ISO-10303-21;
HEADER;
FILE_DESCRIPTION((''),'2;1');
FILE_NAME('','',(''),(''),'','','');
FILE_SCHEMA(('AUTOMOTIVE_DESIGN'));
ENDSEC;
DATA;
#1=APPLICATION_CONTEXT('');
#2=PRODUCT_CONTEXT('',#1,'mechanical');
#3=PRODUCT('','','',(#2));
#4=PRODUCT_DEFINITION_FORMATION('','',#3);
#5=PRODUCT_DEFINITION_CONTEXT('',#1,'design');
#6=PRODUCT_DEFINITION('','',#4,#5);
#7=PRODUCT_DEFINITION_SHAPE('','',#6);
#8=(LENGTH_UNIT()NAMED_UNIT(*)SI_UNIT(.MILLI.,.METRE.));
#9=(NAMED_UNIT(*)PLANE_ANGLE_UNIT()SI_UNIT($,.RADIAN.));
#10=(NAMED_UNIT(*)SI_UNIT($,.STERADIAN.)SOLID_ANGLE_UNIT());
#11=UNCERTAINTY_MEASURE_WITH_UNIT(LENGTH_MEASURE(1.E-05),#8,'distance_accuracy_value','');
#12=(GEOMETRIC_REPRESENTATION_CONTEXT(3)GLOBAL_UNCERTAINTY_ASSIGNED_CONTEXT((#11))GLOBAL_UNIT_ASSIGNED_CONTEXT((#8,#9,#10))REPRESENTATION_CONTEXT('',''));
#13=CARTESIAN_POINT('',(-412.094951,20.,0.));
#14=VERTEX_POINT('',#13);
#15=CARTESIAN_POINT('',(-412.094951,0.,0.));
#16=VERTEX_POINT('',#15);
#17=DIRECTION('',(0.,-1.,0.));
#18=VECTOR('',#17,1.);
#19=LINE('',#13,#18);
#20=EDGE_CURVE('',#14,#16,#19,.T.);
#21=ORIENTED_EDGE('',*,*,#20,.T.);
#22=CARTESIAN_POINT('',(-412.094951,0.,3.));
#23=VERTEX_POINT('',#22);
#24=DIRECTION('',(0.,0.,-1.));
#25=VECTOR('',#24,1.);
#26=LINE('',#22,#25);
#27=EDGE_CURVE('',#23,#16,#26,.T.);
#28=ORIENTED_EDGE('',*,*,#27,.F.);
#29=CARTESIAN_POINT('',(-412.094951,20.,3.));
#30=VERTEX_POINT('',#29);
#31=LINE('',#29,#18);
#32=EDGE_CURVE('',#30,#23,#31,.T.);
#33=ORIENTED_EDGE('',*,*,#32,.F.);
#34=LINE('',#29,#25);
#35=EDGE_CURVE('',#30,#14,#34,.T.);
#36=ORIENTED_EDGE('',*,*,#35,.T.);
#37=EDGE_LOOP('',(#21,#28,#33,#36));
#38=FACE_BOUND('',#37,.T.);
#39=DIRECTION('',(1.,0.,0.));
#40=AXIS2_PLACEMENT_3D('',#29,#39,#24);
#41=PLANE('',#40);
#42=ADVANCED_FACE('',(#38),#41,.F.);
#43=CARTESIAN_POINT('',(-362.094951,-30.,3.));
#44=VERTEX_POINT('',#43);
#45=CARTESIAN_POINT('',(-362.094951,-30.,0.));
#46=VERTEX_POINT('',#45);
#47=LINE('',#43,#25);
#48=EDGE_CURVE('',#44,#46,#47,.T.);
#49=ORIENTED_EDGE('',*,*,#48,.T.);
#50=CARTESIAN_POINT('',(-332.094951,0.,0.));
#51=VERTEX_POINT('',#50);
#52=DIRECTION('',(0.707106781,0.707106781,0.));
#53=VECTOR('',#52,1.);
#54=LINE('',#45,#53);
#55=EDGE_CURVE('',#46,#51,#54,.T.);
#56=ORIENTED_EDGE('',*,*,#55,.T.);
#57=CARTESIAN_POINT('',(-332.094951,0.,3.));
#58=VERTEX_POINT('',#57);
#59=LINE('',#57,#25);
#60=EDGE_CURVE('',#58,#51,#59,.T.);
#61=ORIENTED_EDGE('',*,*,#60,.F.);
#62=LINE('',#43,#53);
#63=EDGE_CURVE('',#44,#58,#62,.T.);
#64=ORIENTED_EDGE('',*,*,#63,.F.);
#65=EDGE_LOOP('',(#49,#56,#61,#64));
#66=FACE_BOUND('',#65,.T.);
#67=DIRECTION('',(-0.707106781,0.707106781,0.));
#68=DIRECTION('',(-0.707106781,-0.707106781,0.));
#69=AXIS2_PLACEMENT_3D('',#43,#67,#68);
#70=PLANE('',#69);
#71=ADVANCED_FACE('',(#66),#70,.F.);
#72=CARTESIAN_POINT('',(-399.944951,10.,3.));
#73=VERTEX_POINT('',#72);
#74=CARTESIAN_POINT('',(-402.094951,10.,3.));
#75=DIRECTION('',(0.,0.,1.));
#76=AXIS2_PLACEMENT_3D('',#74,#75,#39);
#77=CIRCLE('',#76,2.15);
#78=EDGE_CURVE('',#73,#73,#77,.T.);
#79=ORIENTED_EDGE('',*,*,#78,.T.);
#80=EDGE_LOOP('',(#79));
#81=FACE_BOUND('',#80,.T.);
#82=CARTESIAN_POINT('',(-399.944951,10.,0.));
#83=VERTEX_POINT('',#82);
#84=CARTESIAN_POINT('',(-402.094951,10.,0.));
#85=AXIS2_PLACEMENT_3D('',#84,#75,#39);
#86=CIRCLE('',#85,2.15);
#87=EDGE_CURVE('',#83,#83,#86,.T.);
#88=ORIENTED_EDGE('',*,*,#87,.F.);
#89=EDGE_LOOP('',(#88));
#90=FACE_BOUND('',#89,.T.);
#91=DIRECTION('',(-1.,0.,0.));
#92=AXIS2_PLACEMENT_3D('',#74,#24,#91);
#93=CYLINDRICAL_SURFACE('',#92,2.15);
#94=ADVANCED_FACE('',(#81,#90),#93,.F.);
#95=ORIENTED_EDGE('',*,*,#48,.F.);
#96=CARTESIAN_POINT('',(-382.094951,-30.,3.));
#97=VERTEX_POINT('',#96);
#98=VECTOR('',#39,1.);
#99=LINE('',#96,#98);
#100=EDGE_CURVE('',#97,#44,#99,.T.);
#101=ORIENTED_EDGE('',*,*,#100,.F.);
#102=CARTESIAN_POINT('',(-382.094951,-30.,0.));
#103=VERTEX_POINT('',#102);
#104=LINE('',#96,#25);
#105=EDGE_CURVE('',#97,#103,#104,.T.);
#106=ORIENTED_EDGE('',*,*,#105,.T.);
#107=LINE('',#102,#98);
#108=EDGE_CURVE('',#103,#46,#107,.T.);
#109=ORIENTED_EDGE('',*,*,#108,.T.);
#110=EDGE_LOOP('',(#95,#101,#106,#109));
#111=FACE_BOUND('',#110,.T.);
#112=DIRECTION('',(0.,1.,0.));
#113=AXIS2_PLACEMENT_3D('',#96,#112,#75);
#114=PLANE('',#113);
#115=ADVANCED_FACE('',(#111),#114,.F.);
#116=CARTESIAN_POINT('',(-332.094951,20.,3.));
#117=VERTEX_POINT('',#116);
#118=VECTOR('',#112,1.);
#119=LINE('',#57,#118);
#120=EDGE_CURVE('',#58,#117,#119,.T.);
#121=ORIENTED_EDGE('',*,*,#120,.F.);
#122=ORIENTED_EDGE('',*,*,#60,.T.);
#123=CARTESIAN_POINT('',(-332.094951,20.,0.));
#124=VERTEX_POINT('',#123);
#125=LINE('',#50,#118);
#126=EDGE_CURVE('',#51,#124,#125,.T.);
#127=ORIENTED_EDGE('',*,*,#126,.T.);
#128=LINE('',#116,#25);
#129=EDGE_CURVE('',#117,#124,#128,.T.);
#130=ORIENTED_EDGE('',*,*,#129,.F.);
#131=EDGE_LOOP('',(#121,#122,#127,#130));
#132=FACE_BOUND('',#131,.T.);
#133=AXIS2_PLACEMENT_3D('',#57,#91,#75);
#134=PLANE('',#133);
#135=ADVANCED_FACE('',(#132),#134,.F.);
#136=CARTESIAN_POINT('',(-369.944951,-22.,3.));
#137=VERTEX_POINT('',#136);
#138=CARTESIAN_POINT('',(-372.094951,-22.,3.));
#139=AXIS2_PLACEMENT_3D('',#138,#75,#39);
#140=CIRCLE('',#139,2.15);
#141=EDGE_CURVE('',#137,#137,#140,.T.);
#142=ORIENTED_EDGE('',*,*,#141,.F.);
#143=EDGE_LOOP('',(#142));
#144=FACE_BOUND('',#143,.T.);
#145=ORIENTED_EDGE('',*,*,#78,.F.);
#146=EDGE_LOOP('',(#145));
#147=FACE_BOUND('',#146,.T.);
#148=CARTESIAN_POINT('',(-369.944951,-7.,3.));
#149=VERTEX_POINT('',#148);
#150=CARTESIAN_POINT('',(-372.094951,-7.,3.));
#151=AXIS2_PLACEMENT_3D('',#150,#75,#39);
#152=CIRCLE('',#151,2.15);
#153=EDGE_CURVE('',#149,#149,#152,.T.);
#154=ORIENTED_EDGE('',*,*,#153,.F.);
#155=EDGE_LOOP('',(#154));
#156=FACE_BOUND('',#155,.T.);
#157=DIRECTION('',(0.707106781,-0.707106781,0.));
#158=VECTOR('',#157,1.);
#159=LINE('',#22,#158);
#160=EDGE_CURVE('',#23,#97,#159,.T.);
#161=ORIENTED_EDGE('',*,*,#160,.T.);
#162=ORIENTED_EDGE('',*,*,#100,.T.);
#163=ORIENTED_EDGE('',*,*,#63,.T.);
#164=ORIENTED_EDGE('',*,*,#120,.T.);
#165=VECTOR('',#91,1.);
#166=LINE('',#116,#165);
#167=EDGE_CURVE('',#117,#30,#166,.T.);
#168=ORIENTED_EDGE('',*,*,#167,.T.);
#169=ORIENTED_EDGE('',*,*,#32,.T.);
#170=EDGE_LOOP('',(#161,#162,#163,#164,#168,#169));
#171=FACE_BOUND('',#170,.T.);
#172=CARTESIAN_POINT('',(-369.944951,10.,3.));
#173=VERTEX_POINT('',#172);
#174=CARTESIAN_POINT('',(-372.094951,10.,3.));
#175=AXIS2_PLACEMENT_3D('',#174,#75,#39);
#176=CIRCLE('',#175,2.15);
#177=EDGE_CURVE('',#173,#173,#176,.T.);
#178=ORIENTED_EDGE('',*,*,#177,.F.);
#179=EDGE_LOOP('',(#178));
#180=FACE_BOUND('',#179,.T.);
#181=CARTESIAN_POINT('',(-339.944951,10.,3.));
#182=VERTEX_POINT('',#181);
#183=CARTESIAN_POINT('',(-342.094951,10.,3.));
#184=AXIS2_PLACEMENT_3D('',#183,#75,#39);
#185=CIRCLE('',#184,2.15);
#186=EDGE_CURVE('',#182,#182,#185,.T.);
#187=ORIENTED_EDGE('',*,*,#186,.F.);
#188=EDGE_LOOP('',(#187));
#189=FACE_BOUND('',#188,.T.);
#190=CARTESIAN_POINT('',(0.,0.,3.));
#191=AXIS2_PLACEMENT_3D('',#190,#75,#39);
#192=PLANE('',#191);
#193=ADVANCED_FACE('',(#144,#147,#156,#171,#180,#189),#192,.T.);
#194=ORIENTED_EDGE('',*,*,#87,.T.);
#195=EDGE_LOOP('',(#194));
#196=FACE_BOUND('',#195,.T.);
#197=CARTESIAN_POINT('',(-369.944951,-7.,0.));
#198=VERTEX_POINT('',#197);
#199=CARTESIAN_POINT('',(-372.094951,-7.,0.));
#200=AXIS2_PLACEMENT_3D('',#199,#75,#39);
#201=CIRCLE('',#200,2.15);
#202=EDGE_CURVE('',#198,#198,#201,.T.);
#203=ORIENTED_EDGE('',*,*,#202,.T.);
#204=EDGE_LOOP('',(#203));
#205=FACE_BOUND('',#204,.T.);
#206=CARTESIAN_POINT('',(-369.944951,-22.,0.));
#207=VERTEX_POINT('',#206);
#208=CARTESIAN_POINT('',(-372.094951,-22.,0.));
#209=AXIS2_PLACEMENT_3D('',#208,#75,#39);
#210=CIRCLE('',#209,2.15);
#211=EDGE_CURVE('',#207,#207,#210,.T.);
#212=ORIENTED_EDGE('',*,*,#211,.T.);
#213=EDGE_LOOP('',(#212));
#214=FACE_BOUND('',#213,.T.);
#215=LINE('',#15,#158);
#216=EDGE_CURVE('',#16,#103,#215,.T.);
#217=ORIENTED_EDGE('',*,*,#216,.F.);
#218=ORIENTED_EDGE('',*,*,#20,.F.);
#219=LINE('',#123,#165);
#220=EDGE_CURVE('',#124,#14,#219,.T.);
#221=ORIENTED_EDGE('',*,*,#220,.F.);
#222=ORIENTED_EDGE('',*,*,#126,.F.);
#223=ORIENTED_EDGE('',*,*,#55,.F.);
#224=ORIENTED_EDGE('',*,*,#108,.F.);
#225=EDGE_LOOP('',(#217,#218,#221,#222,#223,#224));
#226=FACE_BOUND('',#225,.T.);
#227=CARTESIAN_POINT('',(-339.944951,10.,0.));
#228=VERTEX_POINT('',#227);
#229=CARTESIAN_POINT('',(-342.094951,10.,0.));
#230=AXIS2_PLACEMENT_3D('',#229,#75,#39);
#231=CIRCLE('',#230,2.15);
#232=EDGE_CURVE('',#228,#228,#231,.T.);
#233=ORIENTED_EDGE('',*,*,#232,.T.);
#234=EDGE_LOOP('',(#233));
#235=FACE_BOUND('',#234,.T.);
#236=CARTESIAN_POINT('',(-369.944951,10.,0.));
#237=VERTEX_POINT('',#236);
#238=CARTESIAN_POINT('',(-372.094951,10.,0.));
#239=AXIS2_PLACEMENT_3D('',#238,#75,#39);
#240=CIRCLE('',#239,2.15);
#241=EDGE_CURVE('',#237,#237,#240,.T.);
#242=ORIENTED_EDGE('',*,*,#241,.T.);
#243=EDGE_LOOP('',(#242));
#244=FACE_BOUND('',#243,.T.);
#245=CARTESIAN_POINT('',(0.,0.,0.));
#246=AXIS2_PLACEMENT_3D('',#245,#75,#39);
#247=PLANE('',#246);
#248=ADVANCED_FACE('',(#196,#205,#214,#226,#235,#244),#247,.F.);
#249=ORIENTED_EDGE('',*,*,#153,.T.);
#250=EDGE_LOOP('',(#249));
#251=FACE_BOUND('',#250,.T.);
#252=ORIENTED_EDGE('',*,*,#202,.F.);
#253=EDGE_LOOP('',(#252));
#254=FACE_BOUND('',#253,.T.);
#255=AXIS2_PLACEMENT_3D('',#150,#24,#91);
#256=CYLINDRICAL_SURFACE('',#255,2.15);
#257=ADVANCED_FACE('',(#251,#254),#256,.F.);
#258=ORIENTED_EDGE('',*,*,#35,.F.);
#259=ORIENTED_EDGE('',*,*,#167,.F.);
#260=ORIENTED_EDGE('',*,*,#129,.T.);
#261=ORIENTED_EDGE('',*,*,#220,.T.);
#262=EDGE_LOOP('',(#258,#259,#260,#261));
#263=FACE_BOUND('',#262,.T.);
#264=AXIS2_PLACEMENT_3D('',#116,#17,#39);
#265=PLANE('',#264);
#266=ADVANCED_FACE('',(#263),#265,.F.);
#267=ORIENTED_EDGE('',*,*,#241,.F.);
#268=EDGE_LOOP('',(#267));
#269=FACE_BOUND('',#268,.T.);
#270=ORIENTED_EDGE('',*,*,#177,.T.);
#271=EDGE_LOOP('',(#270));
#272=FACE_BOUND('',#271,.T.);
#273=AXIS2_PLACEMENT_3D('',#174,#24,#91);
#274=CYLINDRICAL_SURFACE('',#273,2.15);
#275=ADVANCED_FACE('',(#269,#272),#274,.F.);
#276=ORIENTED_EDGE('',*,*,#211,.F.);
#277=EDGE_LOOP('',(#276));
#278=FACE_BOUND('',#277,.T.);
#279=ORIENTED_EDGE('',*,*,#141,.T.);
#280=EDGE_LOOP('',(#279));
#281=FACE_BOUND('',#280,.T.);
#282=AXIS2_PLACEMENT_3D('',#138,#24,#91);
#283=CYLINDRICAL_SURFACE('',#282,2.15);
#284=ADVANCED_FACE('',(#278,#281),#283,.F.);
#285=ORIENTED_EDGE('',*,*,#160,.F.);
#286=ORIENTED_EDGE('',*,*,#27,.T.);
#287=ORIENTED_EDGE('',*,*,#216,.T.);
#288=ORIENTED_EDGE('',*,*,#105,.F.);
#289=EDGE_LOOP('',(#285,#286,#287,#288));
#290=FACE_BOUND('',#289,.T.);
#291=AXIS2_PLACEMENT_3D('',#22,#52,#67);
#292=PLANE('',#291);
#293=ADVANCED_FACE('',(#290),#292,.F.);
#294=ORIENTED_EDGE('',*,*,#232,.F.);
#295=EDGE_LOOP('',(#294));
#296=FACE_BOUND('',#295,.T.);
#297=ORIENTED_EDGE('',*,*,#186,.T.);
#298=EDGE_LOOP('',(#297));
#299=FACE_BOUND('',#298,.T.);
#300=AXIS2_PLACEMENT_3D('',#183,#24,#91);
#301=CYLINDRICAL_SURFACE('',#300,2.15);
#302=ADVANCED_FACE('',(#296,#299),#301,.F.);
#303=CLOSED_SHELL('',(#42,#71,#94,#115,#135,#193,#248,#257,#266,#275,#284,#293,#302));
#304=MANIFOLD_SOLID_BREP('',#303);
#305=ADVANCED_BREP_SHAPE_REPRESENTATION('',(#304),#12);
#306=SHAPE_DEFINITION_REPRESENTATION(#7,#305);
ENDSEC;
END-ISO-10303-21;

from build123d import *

# Parameters (mm, degrees)
SKETCH1_R           = 2.15
BOSS_EXTRUDE1_DEPTH = 3


with BuildPart() as part:
    # Sketch1 → Boss-Extrude1 (new body)
    with BuildSketch(Plane.XY):
        Polygon((-412.094950635, 20), (-412.094950635, 0), (-382.094950635, -30), (-362.094950635, -30), (-332.094950635, 0), (-332.094950635, 20), align=None)
        with Locations((-402.094950635, 10)):
            Circle(SKETCH1_R, mode=Mode.SUBTRACT)
        with Locations((-342.094950635, 10)):
            Circle(SKETCH1_R, mode=Mode.SUBTRACT)
        with Locations((-372.094950635, -22)):
            Circle(SKETCH1_R, mode=Mode.SUBTRACT)
        with Locations((-372.094950635, -7)):
            Circle(SKETCH1_R, mode=Mode.SUBTRACT)
        with Locations((-372.094950635, 10)):
            Circle(SKETCH1_R, mode=Mode.SUBTRACT)
    extrude(amount=BOSS_EXTRUDE1_DEPTH)


solid = part.part
